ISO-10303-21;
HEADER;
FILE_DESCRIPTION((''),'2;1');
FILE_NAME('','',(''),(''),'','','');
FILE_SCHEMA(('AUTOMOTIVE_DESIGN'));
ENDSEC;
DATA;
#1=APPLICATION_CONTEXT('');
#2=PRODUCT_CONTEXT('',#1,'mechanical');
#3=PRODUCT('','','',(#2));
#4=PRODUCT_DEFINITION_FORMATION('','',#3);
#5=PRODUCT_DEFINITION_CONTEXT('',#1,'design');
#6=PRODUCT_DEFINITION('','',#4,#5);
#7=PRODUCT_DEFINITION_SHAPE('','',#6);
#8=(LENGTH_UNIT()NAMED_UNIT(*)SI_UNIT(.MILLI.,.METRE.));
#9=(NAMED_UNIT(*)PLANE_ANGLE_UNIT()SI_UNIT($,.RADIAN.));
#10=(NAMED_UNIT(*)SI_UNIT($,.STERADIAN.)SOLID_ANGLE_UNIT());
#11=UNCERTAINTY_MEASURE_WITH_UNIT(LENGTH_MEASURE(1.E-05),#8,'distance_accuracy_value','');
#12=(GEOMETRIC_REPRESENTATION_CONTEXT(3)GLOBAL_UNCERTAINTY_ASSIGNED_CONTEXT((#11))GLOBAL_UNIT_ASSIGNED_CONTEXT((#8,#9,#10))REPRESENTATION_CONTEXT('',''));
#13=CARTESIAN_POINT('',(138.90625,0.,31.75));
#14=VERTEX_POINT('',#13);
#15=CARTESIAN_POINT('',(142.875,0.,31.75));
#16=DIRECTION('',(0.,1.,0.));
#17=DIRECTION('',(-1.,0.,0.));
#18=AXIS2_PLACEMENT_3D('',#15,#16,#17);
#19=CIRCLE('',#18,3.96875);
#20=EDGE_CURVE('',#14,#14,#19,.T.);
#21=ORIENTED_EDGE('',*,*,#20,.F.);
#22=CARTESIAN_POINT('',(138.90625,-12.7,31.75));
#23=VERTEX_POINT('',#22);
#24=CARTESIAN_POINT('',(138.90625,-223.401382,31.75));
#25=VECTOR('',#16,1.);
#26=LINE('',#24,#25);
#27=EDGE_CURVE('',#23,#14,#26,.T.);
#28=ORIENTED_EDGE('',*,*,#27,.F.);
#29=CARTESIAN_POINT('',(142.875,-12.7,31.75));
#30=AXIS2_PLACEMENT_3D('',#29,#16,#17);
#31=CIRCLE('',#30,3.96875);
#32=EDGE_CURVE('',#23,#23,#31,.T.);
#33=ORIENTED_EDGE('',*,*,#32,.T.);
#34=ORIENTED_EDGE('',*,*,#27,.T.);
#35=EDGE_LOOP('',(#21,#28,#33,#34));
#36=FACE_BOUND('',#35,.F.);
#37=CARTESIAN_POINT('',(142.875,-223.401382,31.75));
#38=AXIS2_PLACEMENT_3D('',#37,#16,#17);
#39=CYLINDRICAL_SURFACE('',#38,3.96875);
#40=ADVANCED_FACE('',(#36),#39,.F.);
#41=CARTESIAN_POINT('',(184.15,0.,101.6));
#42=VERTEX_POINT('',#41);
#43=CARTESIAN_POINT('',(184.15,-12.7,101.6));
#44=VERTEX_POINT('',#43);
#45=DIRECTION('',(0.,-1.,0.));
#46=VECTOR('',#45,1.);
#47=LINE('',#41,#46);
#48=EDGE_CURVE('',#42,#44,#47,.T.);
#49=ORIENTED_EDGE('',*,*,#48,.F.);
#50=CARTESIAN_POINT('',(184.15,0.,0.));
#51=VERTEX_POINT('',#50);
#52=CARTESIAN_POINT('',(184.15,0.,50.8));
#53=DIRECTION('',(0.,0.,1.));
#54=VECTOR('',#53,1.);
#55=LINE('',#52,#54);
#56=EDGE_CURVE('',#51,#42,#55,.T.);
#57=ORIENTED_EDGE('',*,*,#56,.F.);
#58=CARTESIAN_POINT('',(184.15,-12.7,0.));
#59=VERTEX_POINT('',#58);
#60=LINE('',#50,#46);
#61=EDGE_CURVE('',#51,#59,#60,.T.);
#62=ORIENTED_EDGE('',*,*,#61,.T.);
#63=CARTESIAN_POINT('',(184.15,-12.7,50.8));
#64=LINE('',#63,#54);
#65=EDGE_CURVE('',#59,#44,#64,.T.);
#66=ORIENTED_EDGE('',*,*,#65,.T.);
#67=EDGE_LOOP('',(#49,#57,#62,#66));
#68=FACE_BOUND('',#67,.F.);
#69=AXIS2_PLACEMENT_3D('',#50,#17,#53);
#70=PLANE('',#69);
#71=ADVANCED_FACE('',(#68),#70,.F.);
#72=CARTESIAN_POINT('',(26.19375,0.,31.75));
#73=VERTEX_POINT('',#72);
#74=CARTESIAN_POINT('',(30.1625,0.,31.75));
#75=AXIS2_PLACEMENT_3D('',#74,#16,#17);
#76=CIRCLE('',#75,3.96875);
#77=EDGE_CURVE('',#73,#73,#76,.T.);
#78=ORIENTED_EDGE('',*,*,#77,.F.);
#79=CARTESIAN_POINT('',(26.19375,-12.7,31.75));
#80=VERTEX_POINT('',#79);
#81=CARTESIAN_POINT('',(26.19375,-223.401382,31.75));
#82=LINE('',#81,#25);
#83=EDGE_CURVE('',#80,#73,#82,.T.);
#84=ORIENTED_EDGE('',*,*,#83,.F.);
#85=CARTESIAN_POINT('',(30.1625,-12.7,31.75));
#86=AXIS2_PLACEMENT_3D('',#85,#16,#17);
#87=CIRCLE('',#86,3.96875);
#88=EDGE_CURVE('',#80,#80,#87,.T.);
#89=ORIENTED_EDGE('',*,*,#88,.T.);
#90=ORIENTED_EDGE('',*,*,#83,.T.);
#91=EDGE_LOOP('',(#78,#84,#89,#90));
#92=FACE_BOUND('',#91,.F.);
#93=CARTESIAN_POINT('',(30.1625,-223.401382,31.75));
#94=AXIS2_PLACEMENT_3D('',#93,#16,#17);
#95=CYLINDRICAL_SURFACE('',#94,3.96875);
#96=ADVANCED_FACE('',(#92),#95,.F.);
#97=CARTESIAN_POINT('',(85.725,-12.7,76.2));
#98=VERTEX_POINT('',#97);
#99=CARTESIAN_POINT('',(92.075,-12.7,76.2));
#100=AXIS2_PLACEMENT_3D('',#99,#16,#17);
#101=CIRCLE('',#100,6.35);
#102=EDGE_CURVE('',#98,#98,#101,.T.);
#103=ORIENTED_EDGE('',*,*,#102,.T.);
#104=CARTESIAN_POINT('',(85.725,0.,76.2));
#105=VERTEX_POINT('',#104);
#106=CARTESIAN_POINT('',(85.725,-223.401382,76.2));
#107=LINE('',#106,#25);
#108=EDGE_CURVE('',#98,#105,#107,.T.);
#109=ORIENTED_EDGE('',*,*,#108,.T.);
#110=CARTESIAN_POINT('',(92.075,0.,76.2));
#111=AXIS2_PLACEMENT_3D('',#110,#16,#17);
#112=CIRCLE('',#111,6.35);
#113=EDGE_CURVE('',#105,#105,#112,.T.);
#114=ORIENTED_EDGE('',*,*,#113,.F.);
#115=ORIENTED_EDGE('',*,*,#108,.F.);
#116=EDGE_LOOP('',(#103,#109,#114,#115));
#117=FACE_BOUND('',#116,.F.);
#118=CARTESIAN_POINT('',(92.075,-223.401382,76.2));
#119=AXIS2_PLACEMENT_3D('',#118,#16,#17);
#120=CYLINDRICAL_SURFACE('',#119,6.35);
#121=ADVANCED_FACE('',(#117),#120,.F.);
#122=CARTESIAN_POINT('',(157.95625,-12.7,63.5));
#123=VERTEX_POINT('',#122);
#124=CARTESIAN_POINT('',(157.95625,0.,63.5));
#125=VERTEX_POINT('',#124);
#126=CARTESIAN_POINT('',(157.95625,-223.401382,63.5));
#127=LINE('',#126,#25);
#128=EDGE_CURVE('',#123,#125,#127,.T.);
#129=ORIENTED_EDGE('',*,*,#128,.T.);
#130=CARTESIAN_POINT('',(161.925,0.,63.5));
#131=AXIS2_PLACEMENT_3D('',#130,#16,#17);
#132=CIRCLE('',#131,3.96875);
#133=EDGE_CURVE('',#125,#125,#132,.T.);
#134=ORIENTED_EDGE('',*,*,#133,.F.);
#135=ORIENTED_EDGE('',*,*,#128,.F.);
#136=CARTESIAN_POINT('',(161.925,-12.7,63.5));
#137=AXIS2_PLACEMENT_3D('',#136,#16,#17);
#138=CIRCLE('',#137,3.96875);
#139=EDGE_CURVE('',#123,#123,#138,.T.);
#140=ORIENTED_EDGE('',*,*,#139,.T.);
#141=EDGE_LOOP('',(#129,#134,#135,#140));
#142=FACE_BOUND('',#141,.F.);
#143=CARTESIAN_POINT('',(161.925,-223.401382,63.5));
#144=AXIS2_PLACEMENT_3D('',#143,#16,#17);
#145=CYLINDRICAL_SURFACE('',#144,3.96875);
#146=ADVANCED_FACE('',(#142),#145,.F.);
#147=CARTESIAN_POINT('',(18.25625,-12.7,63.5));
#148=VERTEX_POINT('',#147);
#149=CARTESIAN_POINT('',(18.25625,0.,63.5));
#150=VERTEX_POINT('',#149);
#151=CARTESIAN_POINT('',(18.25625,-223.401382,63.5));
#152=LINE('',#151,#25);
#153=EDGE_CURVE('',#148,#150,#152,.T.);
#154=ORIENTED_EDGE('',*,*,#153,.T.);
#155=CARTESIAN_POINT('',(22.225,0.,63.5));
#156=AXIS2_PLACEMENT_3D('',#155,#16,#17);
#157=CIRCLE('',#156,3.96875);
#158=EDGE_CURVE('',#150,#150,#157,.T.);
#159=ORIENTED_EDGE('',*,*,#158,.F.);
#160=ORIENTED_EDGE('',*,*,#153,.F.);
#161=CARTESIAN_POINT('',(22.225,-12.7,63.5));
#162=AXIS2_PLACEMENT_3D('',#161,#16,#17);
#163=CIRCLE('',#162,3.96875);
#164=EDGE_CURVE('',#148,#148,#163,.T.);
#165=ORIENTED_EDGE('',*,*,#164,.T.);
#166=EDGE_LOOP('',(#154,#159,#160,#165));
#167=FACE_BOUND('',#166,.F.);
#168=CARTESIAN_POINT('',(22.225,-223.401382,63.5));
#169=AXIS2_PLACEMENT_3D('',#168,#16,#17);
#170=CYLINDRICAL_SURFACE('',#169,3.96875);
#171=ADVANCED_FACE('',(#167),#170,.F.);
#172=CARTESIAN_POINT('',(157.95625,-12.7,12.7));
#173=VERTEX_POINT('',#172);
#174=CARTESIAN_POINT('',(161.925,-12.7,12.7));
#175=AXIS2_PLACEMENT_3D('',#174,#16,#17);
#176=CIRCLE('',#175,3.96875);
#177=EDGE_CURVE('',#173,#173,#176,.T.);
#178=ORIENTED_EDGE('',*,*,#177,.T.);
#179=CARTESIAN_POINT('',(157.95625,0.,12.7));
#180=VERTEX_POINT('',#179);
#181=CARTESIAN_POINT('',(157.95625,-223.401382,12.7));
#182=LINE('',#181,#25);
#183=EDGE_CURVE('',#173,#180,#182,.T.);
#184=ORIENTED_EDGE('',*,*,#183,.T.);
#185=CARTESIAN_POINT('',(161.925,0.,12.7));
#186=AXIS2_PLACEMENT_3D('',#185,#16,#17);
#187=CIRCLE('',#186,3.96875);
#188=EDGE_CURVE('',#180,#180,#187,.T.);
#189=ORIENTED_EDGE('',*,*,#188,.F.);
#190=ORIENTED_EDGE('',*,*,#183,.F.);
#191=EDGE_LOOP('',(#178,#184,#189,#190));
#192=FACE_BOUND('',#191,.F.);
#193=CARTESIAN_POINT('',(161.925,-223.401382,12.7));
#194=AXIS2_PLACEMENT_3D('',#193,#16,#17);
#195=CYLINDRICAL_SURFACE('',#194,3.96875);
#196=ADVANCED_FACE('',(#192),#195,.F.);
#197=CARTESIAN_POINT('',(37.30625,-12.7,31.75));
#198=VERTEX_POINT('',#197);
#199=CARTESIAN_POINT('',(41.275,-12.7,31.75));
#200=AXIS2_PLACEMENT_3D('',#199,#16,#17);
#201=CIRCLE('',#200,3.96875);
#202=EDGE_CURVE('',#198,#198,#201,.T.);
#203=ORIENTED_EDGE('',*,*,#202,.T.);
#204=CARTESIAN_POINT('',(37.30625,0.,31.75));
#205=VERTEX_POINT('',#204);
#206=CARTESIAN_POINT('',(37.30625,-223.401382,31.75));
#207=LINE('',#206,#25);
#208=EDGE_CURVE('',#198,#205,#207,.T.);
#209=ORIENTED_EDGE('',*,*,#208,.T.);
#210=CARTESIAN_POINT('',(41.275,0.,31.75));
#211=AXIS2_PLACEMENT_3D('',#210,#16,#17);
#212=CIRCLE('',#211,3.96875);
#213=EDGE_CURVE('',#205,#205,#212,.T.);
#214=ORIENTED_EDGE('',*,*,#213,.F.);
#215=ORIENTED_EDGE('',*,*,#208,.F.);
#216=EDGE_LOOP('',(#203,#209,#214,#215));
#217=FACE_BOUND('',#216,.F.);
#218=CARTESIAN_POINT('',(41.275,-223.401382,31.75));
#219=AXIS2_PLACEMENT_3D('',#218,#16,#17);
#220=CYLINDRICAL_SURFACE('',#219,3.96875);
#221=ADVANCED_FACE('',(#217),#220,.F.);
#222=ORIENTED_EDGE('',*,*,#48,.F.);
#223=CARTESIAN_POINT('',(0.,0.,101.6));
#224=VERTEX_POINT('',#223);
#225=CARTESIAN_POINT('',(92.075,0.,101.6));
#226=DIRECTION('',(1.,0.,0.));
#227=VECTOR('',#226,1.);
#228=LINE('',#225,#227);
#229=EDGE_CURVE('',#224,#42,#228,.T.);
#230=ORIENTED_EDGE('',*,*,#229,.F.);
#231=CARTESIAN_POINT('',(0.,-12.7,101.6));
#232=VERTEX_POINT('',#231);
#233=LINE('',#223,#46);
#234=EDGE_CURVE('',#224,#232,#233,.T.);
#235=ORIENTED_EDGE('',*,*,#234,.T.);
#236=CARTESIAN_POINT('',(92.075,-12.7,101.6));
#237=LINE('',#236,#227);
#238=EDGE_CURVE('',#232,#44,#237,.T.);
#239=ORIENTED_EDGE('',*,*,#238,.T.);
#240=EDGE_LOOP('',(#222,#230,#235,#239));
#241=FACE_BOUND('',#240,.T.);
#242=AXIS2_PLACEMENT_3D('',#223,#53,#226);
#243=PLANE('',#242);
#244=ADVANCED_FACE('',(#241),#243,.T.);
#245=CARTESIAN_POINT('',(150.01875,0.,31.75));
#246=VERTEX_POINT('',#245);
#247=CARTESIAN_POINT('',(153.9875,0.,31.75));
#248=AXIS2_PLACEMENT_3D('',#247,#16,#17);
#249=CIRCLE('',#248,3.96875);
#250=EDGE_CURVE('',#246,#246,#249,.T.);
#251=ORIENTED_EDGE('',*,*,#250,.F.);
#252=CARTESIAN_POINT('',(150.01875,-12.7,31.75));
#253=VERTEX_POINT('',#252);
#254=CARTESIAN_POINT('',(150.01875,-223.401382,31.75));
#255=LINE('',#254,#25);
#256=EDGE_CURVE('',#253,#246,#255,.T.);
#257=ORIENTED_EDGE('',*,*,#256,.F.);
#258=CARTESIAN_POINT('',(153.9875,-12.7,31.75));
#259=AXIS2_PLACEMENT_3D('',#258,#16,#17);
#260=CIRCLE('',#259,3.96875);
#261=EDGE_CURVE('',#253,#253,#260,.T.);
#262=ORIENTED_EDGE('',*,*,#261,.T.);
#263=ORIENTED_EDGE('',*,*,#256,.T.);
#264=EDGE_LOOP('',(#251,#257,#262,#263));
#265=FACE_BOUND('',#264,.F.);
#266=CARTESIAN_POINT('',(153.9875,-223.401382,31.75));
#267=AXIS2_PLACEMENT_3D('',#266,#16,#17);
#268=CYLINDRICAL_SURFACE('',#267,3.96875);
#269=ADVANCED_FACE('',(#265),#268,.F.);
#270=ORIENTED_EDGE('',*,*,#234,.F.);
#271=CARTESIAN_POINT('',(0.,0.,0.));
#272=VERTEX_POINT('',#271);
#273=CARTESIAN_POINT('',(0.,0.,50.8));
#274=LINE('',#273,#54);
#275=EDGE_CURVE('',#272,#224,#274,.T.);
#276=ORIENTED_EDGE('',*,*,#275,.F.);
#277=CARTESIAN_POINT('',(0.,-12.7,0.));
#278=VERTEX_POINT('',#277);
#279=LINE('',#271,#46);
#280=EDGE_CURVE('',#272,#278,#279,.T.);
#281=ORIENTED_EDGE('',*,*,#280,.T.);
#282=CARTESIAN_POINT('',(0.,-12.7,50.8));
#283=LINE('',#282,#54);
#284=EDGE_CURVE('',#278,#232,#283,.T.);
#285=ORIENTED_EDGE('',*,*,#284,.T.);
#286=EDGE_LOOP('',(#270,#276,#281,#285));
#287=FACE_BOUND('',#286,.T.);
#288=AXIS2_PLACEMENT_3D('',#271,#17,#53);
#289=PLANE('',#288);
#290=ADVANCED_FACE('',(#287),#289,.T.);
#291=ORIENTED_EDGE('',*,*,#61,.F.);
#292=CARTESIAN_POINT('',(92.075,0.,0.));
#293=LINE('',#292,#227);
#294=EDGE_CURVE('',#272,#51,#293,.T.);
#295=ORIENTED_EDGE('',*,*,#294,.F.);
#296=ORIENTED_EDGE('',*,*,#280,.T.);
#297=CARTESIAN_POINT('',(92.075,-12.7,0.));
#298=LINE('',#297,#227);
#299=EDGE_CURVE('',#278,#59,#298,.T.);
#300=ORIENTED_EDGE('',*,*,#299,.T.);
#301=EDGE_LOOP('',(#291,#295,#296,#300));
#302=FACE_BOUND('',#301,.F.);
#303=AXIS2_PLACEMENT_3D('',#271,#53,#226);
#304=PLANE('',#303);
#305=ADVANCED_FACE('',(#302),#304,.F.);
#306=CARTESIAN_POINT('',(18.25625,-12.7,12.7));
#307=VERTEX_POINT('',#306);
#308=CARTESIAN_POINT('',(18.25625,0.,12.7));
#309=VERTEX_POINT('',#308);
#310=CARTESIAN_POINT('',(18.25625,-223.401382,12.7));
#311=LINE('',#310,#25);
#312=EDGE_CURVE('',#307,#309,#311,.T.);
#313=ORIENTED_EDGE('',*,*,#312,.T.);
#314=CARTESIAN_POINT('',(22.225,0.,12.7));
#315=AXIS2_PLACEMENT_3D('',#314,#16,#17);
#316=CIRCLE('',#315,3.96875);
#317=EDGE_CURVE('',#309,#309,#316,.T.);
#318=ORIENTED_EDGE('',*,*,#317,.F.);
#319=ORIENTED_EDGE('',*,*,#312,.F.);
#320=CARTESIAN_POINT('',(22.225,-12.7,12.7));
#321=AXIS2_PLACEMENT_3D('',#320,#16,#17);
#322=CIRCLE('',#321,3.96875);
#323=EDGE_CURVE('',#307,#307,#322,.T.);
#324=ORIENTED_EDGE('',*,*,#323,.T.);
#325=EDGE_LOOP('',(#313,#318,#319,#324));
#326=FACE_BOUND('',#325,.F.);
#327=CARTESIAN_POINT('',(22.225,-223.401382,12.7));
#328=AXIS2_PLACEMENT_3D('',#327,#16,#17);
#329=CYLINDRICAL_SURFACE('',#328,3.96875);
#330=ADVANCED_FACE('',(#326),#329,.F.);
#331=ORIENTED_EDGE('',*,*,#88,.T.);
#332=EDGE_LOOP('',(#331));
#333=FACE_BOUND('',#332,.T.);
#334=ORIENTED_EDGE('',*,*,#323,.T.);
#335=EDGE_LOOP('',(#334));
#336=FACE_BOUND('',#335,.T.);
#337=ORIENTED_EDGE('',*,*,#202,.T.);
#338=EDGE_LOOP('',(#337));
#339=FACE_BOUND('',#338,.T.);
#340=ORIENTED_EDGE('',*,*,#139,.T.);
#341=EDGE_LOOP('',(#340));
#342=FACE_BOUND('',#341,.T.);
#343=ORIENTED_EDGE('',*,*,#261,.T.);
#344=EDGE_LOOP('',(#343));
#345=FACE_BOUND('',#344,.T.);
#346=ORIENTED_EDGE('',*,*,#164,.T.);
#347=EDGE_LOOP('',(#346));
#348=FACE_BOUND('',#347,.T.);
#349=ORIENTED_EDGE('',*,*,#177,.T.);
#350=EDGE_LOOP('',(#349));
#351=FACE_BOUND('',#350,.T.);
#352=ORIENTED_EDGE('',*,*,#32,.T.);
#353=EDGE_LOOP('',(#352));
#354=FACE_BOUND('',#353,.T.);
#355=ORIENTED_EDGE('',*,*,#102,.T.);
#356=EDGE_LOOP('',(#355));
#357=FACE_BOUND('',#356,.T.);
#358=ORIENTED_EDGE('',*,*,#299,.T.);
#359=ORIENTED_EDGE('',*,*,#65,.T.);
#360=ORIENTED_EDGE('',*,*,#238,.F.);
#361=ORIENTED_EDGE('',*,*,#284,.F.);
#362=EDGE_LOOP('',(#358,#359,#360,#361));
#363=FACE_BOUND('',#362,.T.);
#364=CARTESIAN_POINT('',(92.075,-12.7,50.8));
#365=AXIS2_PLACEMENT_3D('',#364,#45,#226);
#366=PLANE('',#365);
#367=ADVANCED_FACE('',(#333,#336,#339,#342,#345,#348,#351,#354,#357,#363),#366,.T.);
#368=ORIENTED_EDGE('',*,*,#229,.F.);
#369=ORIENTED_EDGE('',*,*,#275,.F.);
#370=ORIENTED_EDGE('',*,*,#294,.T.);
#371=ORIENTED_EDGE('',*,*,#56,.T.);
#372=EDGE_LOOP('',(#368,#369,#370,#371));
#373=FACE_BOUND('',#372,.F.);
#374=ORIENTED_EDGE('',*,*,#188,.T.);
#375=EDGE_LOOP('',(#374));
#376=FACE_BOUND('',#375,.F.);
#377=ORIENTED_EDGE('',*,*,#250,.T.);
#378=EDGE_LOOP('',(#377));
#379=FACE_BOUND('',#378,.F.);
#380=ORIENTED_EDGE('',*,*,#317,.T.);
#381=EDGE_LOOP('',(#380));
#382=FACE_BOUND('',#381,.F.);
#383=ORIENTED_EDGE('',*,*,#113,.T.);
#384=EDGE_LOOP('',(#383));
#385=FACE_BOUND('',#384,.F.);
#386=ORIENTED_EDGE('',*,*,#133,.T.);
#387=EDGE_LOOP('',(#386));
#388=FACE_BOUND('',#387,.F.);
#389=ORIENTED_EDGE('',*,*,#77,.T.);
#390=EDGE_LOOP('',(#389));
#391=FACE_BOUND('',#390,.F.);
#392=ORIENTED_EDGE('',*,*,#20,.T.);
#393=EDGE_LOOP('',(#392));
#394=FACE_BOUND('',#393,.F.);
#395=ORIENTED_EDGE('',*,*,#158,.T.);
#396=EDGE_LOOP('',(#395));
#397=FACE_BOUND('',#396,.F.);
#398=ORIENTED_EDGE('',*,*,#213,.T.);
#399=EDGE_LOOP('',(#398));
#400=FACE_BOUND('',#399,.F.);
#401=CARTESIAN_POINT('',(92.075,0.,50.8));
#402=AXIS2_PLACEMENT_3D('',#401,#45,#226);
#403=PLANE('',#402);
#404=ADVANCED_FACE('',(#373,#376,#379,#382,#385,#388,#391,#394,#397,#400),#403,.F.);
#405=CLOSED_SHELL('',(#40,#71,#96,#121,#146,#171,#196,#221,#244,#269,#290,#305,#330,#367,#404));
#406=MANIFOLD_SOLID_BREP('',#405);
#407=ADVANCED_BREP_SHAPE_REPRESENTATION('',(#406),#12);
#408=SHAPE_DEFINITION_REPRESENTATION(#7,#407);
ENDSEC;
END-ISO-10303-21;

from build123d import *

# Parameters (mm, degrees)
F0_W     = 184.15
F0_H     = 101.6
F1_DEPTH = 12.7
F3_D     = 12.7
F5_D     = 7.9375
F7_D     = 7.9375


with BuildPart() as f1:
    # F0 (on Front) → F1 (new body)
    with BuildSketch(Plane.XZ):
        with Locations((92.075, 50.8)):
            Rectangle(F0_W, F0_H)
    extrude(amount=F1_DEPTH)

    # F3 (through all)
    with Locations(Plane.XZ.offset(12.7)):
        with Locations((92.075, 76.2)):
            Hole(F3_D / 2)

    # F5 (through all)
    with Locations(Plane.XZ.offset(12.7)):
        with Locations((22.225, 63.5), (161.925, 63.5), (161.925, 12.7), (22.225, 12.7)):
            Hole(F5_D / 2)

    # F7 (through all)
    with Locations(Plane.XZ.offset(12.7)):
        with Locations((41.275, 31.75), (142.875, 31.75), (30.1625, 31.75), (153.9875, 31.75)):
            Hole(F7_D / 2)


solid = f1.part
